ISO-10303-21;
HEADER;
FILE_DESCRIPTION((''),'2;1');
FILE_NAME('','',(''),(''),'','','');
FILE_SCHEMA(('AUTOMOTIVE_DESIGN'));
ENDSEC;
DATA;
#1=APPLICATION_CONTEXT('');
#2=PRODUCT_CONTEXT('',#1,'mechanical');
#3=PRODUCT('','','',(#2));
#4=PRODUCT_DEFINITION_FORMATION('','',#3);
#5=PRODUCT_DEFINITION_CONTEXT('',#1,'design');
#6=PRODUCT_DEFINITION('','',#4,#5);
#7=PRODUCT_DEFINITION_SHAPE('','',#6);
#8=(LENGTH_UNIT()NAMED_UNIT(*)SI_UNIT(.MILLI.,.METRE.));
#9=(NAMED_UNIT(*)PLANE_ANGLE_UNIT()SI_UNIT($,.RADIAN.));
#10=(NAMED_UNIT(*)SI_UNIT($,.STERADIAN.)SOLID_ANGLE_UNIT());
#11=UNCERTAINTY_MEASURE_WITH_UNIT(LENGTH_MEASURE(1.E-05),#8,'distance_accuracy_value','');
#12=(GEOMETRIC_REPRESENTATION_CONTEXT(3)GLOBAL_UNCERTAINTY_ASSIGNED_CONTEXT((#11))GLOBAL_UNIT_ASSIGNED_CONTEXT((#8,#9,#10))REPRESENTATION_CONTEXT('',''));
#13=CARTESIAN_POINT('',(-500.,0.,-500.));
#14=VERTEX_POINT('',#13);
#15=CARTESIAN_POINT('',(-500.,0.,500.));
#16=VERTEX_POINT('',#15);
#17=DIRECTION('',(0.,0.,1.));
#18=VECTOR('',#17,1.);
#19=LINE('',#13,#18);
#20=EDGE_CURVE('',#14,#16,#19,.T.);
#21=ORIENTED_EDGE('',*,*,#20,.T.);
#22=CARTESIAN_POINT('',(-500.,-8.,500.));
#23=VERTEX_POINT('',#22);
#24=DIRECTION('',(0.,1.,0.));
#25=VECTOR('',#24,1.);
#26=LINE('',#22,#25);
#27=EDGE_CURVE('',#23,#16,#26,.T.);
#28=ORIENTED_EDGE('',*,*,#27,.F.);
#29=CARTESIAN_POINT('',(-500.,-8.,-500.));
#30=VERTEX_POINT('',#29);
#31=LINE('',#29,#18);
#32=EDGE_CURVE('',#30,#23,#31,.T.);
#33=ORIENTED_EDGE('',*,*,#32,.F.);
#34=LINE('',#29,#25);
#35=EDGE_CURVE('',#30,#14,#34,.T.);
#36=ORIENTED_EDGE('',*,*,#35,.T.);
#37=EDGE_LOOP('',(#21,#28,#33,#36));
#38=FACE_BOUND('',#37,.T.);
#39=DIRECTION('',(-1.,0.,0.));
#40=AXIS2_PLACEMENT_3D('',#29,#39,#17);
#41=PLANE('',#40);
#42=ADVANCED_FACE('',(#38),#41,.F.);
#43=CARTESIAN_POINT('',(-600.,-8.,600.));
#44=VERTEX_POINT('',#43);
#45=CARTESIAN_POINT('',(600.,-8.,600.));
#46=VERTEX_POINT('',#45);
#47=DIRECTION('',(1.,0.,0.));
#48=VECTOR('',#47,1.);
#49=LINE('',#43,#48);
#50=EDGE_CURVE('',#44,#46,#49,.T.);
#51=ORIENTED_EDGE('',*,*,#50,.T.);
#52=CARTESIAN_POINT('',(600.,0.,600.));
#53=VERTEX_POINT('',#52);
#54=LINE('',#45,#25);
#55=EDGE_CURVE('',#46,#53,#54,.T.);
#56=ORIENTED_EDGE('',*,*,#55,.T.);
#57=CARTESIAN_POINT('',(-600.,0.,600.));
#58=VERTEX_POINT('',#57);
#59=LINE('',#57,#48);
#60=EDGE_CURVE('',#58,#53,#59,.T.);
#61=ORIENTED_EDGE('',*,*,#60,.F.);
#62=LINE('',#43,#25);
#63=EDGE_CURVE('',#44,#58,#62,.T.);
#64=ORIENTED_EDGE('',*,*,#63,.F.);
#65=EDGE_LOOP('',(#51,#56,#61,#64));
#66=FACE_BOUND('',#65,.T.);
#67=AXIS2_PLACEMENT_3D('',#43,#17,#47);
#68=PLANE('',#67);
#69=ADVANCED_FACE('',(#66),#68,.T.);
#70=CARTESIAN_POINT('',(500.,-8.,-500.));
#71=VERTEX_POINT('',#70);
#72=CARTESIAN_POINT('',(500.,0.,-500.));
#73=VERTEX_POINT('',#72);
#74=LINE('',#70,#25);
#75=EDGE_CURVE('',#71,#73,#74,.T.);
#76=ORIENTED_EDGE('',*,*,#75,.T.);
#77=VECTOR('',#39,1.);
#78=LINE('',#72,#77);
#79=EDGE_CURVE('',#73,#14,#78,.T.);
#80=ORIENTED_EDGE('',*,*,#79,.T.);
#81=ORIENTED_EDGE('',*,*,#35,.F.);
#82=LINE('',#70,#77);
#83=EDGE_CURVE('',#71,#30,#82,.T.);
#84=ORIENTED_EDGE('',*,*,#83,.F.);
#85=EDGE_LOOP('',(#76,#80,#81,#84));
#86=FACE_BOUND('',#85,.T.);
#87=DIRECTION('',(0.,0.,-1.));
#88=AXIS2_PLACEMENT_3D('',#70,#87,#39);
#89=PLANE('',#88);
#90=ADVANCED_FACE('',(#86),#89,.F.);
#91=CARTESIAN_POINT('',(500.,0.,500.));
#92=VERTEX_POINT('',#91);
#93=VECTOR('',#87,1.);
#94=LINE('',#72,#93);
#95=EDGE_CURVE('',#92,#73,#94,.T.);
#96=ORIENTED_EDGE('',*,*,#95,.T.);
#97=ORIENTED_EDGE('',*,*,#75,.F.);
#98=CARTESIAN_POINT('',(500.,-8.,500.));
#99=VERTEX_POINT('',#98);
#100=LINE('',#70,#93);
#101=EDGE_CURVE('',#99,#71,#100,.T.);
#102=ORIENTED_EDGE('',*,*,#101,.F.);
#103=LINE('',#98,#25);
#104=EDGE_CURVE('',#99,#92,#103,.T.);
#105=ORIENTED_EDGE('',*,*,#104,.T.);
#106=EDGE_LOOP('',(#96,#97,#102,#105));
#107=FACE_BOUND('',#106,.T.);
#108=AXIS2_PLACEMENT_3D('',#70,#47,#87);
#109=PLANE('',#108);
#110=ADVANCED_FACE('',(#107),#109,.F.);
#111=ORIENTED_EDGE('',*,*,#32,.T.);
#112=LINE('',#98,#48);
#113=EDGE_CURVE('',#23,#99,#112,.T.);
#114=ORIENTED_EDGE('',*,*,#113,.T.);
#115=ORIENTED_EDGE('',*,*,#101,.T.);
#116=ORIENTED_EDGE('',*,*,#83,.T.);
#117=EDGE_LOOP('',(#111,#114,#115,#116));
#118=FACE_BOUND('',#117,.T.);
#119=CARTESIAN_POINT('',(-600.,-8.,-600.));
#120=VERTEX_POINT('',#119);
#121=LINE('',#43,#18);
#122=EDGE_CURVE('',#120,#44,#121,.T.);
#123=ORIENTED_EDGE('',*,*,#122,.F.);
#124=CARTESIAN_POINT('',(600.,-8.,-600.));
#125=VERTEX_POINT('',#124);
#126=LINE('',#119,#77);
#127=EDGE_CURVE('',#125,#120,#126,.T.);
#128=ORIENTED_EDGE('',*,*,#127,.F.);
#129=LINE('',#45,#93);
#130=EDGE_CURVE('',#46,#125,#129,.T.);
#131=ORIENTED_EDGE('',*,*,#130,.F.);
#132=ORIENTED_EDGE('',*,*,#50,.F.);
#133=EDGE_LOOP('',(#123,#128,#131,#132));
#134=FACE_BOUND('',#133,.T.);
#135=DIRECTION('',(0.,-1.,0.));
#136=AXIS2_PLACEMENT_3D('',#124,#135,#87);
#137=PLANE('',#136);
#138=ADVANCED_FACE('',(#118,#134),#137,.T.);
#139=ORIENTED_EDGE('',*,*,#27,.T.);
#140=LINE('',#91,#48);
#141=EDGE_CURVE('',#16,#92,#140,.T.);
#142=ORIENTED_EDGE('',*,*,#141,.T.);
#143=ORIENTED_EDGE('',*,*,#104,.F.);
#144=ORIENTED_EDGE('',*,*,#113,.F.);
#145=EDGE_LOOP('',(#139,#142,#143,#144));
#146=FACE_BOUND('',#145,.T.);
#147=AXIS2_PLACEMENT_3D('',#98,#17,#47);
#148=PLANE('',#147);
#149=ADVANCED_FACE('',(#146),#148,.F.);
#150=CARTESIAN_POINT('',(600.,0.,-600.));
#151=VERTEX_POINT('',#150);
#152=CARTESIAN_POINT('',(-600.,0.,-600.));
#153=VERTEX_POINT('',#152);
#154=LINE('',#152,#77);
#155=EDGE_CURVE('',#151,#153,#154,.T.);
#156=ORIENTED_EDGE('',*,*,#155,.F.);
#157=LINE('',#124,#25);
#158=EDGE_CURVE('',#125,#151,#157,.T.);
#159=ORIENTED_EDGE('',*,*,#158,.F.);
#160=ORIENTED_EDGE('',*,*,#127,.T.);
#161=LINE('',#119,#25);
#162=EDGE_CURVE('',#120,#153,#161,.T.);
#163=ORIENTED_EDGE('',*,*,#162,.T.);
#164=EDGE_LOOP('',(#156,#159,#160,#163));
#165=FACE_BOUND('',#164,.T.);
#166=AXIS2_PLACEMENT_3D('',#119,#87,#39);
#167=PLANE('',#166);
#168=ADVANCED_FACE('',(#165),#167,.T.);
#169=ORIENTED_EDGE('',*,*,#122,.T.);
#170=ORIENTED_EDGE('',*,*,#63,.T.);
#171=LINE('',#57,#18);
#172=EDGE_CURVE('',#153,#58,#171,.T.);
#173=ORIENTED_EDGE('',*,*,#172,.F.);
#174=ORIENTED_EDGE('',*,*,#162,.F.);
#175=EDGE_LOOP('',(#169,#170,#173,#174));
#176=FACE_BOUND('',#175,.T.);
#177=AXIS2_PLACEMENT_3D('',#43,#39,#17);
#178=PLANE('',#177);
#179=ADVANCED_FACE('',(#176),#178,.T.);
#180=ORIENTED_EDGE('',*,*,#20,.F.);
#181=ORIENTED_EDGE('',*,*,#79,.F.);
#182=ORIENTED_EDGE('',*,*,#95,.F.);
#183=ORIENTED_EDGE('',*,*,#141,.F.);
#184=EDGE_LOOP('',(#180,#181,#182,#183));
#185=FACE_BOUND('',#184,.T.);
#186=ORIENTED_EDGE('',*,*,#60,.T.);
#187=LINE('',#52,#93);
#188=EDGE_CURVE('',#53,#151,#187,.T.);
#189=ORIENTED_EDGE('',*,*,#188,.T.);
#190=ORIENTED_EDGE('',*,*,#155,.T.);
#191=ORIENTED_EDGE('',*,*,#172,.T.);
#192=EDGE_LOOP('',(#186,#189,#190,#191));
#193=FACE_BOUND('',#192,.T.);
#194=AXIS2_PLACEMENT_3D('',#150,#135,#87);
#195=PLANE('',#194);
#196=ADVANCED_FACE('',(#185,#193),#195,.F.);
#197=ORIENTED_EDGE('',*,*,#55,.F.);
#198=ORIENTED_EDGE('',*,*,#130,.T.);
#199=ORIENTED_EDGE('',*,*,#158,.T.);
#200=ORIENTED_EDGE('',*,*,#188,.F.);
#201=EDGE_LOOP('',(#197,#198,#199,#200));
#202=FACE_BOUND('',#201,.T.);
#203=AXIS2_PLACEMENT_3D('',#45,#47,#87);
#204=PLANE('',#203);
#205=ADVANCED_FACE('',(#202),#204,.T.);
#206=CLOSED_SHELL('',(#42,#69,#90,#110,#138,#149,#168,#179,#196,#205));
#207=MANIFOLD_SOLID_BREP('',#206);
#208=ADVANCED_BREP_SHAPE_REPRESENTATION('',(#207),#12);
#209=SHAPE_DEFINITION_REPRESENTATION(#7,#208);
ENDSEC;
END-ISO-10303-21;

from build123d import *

# Parameters (mm, degrees)
SKETCH1_W      = 1200
SKETCH1_H      = 1200
SKETCH1_W_2    = 1000
SKETCH1_H_2    = 1000
EXTRUDE1_DEPTH = 8


with BuildPart() as part:
    # Sketch1 → Extrude1 (new body)
    with BuildSketch(Plane(origin=(0, 0, 0), x_dir=(1, 0, 0), z_dir=(0, 1, 0))):
        Rectangle(SKETCH1_W, SKETCH1_H)
        Rectangle(SKETCH1_W_2, SKETCH1_H_2, mode=Mode.SUBTRACT)
    extrude(amount=-EXTRUDE1_DEPTH)


solid = part.part
